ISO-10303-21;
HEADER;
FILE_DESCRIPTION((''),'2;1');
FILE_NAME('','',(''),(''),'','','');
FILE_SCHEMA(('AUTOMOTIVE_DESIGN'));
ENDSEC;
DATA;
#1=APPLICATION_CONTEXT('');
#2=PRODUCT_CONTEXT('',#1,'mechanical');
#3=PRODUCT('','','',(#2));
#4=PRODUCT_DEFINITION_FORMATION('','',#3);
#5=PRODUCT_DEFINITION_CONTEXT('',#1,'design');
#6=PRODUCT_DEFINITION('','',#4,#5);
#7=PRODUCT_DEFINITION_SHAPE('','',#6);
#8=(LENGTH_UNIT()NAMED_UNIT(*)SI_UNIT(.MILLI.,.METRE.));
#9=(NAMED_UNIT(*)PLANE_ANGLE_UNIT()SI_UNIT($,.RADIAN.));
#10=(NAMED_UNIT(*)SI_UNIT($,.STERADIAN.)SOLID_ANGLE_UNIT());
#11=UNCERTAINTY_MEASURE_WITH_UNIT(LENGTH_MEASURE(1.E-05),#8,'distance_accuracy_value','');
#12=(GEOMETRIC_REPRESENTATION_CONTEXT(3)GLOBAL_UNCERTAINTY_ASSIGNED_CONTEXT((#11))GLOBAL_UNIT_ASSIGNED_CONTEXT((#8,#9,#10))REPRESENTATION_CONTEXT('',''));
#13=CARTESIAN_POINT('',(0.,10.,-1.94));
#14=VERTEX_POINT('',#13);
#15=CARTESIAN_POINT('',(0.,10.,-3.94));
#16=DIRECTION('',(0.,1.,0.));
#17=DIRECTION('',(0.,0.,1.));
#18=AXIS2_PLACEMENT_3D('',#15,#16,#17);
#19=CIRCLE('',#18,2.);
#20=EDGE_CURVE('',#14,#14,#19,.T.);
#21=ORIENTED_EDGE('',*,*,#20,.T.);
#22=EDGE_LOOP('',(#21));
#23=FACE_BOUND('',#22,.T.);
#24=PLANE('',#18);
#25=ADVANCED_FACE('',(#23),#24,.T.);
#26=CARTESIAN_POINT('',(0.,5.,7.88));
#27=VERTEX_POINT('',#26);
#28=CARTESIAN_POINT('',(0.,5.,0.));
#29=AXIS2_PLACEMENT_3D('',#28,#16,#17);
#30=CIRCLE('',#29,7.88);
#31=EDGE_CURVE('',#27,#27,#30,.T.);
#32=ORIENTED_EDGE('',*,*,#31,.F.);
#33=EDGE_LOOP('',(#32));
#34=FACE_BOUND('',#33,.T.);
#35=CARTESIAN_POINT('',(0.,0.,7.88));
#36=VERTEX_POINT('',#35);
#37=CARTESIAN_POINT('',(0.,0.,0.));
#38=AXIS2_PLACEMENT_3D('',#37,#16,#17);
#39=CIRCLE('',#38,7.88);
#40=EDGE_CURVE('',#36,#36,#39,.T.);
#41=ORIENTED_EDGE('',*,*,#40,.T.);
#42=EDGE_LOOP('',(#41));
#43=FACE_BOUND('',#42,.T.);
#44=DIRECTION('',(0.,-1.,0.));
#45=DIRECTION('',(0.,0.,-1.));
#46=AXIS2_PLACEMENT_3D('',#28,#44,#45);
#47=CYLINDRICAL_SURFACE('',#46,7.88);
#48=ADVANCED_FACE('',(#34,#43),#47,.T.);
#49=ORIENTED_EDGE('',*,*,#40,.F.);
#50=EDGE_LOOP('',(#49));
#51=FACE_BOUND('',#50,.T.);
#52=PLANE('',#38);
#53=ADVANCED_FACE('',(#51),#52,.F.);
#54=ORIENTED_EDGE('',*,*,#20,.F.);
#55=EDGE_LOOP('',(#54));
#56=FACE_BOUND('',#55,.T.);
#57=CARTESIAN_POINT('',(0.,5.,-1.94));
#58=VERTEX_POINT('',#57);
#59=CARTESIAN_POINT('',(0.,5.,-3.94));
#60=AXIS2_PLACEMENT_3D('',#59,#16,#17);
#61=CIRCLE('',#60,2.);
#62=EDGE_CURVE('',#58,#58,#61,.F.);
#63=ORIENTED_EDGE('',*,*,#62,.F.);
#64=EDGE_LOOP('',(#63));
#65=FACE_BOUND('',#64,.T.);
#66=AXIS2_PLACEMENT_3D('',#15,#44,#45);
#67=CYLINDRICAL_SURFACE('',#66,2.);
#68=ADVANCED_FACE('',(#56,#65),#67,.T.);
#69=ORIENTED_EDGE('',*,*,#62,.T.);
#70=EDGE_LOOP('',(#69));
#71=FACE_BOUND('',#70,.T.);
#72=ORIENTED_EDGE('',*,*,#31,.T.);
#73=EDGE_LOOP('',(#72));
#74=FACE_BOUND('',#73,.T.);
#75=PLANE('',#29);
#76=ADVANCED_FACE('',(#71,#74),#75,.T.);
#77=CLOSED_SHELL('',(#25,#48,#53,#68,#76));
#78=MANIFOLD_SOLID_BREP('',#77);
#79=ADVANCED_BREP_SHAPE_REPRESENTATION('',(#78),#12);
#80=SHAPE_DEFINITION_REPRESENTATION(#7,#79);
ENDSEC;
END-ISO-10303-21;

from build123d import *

# Parameters (mm, degrees)
SKETCH1_R           = 7.88
BOSS_EXTRUDE1_DEPTH = 5
SKETCH1_3_R         = 2
BOSS_EXTRUDE2_DEPTH = 10


with BuildPart() as part:
    # Sketch1 → Boss-Extrude1 (new body)
    with BuildSketch(Plane(origin=(0, 0, 0), x_dir=(1, 0, 0), z_dir=(0, 1, 0))):
        Circle(SKETCH1_R)
    extrude(amount=BOSS_EXTRUDE1_DEPTH)

    # Sketch1<3> → Boss-Extrude2 (add)
    with BuildSketch(Plane(origin=(0, 0, 0), x_dir=(1, 0, 0), z_dir=(0, 1, 0))):
        with Locations((0, 3.94)):
            Circle(SKETCH1_3_R)
    extrude(amount=BOSS_EXTRUDE2_DEPTH)


solid = part.part
